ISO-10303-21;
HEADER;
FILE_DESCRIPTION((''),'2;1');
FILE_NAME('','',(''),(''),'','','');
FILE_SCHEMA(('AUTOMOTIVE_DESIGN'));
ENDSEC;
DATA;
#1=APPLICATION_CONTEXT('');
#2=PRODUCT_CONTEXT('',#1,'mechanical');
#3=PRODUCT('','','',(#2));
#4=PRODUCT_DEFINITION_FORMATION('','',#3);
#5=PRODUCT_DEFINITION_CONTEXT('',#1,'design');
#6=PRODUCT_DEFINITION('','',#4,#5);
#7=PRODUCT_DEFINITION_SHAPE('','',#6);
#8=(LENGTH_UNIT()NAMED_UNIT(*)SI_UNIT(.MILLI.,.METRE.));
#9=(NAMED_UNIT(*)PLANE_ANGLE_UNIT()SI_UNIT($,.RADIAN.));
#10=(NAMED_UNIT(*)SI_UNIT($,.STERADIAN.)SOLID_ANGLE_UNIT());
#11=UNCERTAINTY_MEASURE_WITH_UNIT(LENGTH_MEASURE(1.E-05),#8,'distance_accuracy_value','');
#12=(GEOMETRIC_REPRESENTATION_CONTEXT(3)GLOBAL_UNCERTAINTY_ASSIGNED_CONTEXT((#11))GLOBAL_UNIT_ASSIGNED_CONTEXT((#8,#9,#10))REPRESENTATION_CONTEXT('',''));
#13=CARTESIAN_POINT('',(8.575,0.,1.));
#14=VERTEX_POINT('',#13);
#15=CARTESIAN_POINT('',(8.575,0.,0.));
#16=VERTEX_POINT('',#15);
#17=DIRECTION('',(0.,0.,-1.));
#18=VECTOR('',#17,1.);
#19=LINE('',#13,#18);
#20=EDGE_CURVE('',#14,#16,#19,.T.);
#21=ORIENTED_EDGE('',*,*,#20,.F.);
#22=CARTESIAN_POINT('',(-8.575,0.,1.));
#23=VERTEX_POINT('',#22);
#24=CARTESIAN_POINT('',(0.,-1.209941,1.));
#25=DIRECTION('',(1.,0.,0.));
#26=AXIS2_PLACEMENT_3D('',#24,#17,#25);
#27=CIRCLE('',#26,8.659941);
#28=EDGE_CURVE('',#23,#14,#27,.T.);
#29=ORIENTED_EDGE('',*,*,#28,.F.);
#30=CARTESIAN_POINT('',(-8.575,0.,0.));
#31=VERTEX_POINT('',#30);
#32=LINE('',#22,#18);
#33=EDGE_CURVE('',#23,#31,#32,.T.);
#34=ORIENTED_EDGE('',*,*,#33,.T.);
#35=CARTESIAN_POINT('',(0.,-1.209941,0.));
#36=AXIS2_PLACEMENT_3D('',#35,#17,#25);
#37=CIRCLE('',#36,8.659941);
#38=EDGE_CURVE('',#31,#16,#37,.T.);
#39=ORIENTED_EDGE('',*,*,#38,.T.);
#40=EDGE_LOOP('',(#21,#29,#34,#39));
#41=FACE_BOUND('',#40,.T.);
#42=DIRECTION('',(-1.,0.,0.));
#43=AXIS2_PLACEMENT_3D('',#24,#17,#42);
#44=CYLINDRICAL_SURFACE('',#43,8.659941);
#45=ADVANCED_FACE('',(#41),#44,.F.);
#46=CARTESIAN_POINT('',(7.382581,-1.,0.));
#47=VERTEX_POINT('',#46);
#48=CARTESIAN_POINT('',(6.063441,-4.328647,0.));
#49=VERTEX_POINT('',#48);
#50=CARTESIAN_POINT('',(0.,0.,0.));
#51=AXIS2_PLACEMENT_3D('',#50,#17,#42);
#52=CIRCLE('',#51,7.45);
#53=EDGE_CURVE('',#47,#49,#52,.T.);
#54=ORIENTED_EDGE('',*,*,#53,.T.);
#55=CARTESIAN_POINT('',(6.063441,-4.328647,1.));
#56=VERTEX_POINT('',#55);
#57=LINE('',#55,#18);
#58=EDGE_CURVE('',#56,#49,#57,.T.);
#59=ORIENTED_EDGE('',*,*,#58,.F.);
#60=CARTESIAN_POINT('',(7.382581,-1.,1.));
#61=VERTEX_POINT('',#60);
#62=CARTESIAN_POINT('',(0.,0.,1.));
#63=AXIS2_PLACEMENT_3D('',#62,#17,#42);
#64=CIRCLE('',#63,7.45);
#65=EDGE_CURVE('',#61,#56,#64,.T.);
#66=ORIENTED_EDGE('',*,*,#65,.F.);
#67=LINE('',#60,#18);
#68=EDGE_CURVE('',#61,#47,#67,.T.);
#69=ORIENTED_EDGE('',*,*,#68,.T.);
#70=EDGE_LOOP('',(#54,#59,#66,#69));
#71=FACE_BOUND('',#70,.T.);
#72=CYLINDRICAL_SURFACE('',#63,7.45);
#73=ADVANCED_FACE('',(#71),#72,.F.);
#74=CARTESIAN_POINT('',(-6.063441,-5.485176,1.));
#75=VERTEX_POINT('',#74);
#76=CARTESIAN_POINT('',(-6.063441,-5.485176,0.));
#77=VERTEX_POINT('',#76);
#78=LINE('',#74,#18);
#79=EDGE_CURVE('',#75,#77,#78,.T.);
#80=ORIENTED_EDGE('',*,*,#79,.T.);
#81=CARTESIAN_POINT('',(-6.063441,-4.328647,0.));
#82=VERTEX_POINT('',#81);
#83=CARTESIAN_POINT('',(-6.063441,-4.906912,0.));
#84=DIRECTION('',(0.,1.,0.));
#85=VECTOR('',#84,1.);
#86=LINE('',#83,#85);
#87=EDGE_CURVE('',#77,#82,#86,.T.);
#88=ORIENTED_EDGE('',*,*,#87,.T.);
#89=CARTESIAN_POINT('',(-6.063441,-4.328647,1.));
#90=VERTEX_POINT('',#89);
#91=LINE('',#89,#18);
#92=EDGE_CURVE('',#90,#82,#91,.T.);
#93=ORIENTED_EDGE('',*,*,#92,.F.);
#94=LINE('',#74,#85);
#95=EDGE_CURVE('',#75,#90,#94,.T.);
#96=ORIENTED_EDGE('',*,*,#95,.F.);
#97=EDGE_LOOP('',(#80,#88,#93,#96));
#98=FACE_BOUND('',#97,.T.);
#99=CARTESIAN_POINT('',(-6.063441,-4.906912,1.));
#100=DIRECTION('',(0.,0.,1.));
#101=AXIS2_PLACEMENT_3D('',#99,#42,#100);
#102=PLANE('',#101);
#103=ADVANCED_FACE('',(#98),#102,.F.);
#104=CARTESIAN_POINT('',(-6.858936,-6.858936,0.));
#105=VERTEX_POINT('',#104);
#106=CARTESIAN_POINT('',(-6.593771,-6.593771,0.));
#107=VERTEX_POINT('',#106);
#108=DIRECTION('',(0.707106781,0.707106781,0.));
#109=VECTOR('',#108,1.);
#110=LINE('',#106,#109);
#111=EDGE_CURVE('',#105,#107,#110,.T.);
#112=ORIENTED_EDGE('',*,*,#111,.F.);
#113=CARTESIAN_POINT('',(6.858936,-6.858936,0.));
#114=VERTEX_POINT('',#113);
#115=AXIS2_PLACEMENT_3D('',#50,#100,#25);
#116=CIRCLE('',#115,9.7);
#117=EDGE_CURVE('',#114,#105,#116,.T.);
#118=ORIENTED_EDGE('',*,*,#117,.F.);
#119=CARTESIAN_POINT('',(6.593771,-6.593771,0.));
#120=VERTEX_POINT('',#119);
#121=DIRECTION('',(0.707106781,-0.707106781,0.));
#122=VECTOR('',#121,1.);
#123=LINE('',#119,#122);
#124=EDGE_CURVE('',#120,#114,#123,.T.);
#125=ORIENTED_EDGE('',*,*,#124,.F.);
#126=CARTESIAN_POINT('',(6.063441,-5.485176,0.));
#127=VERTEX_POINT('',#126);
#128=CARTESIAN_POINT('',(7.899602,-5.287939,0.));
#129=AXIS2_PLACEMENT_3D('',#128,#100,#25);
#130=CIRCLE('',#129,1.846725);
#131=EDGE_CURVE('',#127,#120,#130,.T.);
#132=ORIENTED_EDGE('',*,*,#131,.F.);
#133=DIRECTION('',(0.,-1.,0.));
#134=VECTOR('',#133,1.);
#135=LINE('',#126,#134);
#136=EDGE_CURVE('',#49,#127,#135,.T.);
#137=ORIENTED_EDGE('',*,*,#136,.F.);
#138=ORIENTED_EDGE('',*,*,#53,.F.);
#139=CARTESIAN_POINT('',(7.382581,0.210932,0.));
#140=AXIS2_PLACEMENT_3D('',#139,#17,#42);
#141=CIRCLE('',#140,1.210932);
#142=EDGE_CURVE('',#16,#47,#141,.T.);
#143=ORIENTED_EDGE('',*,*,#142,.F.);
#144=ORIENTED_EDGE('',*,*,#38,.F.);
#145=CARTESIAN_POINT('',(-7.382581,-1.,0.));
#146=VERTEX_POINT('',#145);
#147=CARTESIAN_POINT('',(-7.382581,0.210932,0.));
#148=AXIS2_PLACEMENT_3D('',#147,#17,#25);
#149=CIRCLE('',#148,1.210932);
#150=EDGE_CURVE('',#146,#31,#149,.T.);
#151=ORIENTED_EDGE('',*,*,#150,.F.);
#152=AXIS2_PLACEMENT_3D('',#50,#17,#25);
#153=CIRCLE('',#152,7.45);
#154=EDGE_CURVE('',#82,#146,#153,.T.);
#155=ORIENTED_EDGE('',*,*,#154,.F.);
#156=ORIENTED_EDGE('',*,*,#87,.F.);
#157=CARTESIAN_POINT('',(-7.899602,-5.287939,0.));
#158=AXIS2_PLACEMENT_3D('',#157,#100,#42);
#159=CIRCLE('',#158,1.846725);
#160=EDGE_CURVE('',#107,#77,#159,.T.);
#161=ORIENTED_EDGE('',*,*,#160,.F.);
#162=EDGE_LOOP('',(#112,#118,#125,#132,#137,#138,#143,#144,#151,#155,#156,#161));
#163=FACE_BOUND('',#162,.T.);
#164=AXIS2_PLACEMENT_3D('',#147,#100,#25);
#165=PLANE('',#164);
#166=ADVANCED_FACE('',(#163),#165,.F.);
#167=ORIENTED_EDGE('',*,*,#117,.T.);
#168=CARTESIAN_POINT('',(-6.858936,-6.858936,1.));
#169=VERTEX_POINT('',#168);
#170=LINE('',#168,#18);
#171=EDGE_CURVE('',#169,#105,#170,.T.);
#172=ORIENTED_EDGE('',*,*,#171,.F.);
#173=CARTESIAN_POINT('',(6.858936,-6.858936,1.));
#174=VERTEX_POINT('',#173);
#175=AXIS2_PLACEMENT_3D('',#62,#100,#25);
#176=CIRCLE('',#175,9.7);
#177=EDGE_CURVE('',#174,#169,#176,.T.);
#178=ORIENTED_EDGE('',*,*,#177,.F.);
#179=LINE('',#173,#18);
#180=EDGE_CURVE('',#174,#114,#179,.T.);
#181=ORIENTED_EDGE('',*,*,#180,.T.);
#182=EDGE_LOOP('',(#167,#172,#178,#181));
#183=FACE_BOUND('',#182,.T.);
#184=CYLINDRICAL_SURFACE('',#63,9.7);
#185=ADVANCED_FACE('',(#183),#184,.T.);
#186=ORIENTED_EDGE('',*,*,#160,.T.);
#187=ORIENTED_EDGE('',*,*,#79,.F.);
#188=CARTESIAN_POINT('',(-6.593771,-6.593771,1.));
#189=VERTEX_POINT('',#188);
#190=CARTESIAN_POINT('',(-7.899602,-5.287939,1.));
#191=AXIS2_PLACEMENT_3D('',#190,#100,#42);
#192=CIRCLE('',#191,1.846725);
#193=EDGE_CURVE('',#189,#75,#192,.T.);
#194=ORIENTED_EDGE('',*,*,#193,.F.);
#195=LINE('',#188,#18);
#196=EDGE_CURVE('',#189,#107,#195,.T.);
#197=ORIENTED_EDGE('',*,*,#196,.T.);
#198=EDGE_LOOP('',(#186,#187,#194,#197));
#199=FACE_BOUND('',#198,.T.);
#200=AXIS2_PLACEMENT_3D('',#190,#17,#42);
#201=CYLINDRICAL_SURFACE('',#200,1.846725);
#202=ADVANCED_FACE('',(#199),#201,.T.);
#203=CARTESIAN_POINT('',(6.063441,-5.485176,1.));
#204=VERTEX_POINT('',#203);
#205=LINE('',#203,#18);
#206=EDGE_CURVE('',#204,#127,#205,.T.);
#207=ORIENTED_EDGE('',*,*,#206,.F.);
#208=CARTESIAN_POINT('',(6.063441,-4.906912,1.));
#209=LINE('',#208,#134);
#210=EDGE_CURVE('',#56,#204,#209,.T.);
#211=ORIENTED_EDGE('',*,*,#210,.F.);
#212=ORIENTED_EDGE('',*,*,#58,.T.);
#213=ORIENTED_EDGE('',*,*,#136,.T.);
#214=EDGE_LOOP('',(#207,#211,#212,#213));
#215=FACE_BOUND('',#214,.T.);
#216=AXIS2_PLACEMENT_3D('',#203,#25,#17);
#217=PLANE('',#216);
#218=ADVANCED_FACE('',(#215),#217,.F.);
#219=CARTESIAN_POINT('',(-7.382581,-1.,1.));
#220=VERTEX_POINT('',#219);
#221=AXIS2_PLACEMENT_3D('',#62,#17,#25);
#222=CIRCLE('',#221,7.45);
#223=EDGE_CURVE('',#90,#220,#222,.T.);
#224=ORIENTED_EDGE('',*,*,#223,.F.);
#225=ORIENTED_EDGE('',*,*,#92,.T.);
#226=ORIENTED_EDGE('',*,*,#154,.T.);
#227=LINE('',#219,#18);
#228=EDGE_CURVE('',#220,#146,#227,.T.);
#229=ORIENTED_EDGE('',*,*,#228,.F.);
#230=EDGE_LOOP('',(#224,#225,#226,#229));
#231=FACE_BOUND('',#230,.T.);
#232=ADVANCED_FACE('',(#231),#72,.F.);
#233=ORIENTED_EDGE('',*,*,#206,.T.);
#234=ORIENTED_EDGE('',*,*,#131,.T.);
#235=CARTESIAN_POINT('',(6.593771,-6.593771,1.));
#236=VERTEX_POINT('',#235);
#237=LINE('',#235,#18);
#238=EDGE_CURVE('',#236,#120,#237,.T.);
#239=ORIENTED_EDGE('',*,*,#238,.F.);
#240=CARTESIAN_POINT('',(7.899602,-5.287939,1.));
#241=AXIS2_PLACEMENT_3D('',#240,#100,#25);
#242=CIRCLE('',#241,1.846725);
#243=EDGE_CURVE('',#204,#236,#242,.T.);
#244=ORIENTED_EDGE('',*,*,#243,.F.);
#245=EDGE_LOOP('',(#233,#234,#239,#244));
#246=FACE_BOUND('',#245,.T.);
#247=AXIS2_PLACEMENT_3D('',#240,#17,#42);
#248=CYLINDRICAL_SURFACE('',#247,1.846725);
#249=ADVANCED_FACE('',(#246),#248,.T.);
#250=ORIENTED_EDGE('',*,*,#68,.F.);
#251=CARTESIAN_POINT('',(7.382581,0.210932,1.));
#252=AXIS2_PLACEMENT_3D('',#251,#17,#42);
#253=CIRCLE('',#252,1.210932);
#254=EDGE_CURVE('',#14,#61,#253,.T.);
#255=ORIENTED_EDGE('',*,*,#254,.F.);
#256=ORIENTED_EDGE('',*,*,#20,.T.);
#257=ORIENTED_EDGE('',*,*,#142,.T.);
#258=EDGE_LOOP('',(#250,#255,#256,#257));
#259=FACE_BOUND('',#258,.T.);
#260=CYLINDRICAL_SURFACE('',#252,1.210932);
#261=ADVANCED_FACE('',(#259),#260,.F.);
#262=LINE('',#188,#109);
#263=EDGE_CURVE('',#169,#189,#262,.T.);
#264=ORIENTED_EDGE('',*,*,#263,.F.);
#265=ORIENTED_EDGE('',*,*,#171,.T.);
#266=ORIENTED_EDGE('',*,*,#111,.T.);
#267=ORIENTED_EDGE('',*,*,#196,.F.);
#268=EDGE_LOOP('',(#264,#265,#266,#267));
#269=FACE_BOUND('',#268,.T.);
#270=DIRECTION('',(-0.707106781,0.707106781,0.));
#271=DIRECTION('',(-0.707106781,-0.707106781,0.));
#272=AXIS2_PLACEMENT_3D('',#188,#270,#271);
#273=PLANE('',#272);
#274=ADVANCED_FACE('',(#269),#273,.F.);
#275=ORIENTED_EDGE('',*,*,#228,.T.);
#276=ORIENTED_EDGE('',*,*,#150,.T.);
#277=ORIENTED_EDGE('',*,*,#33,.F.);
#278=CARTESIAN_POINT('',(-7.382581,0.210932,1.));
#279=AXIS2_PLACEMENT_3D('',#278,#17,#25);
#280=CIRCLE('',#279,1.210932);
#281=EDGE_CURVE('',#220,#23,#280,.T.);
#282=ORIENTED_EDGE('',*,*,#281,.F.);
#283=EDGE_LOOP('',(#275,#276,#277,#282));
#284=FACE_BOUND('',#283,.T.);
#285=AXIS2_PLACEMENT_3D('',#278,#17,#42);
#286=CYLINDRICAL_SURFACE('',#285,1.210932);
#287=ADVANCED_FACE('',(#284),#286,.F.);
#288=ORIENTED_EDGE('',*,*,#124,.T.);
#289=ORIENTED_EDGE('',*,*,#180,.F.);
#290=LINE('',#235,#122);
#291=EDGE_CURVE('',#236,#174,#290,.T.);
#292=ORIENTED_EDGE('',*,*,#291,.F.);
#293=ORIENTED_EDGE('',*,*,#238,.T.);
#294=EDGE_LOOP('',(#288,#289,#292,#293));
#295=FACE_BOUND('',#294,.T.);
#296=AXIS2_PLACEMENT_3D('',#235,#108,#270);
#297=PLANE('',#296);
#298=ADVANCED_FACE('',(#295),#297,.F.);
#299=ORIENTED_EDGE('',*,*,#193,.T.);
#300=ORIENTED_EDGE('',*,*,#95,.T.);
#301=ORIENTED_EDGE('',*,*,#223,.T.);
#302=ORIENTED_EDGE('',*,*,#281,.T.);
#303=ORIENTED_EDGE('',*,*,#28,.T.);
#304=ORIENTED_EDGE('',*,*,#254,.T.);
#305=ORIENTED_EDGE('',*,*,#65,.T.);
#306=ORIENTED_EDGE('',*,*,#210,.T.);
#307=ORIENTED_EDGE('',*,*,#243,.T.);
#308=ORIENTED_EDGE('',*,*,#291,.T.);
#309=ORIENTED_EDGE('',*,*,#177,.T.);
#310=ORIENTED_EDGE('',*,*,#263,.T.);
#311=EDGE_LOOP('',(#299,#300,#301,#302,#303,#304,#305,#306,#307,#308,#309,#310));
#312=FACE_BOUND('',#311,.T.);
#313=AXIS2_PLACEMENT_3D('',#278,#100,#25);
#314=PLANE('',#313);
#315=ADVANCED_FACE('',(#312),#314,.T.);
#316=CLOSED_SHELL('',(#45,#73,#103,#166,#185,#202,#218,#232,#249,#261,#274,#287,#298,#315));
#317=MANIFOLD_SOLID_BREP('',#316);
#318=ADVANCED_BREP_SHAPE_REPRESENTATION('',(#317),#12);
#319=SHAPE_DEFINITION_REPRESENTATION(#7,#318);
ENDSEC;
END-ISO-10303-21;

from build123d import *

# Parameters (mm, degrees)
BOSS_EXTRUDE1_DEPTH = 1


with BuildPart() as part:
    # Sketch2 → Boss-Extrude1 (new body)
    with BuildSketch(Plane.XY):
        with BuildLine():
            Line((-6.063440649, -5.485176201), (-6.063440649, -4.906911754))
            Line((-6.063440649, -4.906911754), (-6.063440649, -4.328647306))
            ThreePointArc((-6.063440649, -4.328647306), (-6.925954574, -2.744750124), (-7.38258085, -1))
            ThreePointArc((-7.38258085, -1), (-8.160697716, -0.716909737), (-8.575, 0))
            ThreePointArc((-8.575, 0), (0, 7.45), (8.575, 0))
            ThreePointArc((8.575, 0), (8.160697716, -0.716909737), (7.38258085, -1))
            ThreePointArc((7.38258085, -1), (6.925954574, -2.744750124), (6.063440649, -4.328647306))
            Line((6.063440649, -4.328647306), (6.063440649, -4.906911754))
            Line((6.063440649, -4.906911754), (6.063440649, -5.485176201))
            ThreePointArc((6.063440649, -5.485176201), (6.23368639, -6.084881018), (6.593770735, -6.593770735))
            Line((6.593770735, -6.593770735), (6.858935778, -6.858935778))
            ThreePointArc((6.858935778, -6.858935778), (0, 9.7), (-6.858935778, -6.858935778))
            Line((-6.858935778, -6.858935778), (-6.593770735, -6.593770735))
            ThreePointArc((-6.593770735, -6.593770735), (-6.23368639, -6.084881018), (-6.063440649, -5.485176201))
        make_face()
    extrude(amount=BOSS_EXTRUDE1_DEPTH)


solid = part.part
